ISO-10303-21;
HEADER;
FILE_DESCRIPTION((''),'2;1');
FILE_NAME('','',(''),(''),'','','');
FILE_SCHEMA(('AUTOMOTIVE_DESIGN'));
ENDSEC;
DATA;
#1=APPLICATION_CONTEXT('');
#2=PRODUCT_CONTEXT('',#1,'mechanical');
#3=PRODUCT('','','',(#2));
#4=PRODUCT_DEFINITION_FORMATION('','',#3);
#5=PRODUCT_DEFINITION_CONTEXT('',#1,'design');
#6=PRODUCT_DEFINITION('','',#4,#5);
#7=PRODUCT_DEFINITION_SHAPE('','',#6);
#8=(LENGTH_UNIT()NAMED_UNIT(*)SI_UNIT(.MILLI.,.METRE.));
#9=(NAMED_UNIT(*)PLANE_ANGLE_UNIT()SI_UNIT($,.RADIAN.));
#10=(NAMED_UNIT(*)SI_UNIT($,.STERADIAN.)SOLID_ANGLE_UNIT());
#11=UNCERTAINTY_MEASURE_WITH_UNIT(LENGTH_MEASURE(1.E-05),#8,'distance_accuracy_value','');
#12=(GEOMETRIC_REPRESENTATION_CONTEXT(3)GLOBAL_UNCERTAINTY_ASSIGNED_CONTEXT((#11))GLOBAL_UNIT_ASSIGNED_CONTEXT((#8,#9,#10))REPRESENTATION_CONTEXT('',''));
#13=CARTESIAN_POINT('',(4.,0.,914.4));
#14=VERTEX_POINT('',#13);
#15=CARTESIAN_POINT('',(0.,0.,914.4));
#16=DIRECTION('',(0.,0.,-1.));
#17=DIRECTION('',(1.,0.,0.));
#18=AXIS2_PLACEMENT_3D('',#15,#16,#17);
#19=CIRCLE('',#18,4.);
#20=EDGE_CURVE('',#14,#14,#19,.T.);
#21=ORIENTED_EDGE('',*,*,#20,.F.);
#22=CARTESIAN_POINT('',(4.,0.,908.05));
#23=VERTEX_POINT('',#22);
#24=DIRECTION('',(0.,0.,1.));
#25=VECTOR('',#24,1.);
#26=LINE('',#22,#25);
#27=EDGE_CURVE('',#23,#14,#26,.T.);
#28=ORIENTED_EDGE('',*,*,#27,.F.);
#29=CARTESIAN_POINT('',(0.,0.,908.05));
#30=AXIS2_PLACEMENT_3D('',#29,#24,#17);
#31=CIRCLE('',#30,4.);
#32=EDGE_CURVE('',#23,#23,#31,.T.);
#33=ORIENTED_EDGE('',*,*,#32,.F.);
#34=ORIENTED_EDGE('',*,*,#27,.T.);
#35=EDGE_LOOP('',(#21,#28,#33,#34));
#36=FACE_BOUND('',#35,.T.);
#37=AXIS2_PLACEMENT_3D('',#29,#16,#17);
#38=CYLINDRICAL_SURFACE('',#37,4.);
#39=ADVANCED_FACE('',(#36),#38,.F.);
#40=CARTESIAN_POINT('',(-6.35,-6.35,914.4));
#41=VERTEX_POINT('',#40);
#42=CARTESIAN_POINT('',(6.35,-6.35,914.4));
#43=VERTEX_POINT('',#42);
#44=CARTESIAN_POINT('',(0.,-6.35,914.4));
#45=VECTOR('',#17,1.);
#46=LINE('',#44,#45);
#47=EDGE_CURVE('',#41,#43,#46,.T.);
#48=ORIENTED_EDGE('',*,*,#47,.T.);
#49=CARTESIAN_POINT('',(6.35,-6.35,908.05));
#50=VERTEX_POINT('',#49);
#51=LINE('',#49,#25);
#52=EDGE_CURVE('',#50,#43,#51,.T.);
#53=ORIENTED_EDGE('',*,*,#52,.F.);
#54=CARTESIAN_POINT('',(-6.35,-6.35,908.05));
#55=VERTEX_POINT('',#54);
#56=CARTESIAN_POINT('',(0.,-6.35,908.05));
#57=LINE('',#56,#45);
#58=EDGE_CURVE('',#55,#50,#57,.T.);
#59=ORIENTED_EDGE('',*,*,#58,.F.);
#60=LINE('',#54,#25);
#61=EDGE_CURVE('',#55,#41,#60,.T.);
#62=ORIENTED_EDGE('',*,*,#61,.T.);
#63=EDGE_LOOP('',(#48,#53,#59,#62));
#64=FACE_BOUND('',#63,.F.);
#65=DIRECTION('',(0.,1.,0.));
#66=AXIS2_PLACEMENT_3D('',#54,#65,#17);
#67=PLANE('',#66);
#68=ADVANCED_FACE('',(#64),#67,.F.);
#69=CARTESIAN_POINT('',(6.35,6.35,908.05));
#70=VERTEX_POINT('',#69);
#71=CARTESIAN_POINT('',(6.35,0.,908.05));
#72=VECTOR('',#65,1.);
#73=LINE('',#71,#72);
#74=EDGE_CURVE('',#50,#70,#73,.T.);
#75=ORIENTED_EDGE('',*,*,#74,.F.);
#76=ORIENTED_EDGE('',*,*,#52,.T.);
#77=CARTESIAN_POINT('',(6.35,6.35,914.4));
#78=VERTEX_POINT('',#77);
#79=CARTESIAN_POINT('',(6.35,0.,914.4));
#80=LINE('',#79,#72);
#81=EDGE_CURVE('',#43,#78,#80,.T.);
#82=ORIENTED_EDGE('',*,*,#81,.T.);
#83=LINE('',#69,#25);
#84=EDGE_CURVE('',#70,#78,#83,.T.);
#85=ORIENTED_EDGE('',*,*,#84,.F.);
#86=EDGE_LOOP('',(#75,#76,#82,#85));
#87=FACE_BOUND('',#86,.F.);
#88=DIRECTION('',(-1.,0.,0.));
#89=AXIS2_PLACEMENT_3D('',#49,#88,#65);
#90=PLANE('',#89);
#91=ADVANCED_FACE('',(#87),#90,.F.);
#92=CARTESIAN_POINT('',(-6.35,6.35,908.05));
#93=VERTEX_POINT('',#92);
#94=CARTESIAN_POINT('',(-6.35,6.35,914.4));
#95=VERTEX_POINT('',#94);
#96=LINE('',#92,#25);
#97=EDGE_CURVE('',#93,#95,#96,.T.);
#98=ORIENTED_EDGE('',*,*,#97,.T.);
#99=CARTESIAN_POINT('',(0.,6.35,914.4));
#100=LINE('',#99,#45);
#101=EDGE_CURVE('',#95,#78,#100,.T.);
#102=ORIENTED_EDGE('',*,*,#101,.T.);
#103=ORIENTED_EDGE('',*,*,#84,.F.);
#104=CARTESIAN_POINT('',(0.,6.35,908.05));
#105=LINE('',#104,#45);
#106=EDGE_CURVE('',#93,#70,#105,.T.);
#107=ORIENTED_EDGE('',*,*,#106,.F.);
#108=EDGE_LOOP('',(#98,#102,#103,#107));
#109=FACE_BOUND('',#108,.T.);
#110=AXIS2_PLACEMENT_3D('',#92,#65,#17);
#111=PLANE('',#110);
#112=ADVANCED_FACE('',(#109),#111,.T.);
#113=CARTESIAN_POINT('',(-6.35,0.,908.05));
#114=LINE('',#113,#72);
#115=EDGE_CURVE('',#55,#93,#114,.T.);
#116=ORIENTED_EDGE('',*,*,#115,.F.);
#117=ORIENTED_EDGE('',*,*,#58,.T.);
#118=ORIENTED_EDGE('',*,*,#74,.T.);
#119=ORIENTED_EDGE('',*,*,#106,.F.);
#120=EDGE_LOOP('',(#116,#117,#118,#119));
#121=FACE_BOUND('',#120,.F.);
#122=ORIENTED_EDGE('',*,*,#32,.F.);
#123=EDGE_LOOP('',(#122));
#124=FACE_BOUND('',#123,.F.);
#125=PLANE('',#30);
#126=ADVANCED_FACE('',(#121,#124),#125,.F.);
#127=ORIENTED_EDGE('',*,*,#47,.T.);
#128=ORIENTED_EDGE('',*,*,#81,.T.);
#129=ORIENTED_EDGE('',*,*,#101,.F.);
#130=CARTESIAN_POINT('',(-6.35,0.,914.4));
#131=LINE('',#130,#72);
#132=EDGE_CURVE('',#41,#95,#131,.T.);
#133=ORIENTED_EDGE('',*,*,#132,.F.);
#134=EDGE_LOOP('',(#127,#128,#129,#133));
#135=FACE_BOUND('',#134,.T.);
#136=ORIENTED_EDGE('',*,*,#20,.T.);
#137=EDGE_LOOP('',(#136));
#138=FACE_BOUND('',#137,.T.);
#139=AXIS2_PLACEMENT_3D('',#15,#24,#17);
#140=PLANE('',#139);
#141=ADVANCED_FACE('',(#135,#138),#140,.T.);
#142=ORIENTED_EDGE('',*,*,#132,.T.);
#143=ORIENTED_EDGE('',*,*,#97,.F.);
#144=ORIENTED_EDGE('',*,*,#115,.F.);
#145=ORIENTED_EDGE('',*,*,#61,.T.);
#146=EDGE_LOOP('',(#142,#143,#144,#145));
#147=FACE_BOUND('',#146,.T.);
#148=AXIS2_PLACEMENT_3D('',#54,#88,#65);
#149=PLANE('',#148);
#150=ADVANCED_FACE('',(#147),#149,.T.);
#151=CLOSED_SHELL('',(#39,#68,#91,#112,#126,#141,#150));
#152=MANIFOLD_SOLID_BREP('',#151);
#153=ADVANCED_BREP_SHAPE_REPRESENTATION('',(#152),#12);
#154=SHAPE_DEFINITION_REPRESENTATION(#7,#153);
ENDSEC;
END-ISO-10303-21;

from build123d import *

# Parameters (mm, degrees)
CYLINDER038_R     = 4
CYLINDER038_DEPTH = 10
BOX017_W          = 12.7
BOX017_H          = 12.7
BOX017_DEPTH      = 6.35


with BuildPart() as cylinder038:
    # Cylinder038 → Cylinder038 (new body)
    with BuildSketch(Plane(origin=(6.35, 6.35, 0), x_dir=(1, 0, 0), z_dir=(0, 0, 1))):
        Circle(CYLINDER038_R)
    extrude(amount=CYLINDER038_DEPTH)


with BuildPart() as m8_nut004:
    # Box017 → Box017 (new body)
    with BuildSketch(Plane.XY):
        with Locations((6.35, 6.35)):
            Rectangle(BOX017_W, BOX017_H)
    extrude(amount=BOX017_DEPTH)

    # Cut015: cut Cylinder038
    add(cylinder038.part, mode=Mode.SUBTRACT)


with BuildPart() as m8_nut004_1:
    # Cut015 placement: moved
    add(m8_nut004.part.moved(Location((-6.35, -6.35, 908.05))))


solid = m8_nut004_1.part
